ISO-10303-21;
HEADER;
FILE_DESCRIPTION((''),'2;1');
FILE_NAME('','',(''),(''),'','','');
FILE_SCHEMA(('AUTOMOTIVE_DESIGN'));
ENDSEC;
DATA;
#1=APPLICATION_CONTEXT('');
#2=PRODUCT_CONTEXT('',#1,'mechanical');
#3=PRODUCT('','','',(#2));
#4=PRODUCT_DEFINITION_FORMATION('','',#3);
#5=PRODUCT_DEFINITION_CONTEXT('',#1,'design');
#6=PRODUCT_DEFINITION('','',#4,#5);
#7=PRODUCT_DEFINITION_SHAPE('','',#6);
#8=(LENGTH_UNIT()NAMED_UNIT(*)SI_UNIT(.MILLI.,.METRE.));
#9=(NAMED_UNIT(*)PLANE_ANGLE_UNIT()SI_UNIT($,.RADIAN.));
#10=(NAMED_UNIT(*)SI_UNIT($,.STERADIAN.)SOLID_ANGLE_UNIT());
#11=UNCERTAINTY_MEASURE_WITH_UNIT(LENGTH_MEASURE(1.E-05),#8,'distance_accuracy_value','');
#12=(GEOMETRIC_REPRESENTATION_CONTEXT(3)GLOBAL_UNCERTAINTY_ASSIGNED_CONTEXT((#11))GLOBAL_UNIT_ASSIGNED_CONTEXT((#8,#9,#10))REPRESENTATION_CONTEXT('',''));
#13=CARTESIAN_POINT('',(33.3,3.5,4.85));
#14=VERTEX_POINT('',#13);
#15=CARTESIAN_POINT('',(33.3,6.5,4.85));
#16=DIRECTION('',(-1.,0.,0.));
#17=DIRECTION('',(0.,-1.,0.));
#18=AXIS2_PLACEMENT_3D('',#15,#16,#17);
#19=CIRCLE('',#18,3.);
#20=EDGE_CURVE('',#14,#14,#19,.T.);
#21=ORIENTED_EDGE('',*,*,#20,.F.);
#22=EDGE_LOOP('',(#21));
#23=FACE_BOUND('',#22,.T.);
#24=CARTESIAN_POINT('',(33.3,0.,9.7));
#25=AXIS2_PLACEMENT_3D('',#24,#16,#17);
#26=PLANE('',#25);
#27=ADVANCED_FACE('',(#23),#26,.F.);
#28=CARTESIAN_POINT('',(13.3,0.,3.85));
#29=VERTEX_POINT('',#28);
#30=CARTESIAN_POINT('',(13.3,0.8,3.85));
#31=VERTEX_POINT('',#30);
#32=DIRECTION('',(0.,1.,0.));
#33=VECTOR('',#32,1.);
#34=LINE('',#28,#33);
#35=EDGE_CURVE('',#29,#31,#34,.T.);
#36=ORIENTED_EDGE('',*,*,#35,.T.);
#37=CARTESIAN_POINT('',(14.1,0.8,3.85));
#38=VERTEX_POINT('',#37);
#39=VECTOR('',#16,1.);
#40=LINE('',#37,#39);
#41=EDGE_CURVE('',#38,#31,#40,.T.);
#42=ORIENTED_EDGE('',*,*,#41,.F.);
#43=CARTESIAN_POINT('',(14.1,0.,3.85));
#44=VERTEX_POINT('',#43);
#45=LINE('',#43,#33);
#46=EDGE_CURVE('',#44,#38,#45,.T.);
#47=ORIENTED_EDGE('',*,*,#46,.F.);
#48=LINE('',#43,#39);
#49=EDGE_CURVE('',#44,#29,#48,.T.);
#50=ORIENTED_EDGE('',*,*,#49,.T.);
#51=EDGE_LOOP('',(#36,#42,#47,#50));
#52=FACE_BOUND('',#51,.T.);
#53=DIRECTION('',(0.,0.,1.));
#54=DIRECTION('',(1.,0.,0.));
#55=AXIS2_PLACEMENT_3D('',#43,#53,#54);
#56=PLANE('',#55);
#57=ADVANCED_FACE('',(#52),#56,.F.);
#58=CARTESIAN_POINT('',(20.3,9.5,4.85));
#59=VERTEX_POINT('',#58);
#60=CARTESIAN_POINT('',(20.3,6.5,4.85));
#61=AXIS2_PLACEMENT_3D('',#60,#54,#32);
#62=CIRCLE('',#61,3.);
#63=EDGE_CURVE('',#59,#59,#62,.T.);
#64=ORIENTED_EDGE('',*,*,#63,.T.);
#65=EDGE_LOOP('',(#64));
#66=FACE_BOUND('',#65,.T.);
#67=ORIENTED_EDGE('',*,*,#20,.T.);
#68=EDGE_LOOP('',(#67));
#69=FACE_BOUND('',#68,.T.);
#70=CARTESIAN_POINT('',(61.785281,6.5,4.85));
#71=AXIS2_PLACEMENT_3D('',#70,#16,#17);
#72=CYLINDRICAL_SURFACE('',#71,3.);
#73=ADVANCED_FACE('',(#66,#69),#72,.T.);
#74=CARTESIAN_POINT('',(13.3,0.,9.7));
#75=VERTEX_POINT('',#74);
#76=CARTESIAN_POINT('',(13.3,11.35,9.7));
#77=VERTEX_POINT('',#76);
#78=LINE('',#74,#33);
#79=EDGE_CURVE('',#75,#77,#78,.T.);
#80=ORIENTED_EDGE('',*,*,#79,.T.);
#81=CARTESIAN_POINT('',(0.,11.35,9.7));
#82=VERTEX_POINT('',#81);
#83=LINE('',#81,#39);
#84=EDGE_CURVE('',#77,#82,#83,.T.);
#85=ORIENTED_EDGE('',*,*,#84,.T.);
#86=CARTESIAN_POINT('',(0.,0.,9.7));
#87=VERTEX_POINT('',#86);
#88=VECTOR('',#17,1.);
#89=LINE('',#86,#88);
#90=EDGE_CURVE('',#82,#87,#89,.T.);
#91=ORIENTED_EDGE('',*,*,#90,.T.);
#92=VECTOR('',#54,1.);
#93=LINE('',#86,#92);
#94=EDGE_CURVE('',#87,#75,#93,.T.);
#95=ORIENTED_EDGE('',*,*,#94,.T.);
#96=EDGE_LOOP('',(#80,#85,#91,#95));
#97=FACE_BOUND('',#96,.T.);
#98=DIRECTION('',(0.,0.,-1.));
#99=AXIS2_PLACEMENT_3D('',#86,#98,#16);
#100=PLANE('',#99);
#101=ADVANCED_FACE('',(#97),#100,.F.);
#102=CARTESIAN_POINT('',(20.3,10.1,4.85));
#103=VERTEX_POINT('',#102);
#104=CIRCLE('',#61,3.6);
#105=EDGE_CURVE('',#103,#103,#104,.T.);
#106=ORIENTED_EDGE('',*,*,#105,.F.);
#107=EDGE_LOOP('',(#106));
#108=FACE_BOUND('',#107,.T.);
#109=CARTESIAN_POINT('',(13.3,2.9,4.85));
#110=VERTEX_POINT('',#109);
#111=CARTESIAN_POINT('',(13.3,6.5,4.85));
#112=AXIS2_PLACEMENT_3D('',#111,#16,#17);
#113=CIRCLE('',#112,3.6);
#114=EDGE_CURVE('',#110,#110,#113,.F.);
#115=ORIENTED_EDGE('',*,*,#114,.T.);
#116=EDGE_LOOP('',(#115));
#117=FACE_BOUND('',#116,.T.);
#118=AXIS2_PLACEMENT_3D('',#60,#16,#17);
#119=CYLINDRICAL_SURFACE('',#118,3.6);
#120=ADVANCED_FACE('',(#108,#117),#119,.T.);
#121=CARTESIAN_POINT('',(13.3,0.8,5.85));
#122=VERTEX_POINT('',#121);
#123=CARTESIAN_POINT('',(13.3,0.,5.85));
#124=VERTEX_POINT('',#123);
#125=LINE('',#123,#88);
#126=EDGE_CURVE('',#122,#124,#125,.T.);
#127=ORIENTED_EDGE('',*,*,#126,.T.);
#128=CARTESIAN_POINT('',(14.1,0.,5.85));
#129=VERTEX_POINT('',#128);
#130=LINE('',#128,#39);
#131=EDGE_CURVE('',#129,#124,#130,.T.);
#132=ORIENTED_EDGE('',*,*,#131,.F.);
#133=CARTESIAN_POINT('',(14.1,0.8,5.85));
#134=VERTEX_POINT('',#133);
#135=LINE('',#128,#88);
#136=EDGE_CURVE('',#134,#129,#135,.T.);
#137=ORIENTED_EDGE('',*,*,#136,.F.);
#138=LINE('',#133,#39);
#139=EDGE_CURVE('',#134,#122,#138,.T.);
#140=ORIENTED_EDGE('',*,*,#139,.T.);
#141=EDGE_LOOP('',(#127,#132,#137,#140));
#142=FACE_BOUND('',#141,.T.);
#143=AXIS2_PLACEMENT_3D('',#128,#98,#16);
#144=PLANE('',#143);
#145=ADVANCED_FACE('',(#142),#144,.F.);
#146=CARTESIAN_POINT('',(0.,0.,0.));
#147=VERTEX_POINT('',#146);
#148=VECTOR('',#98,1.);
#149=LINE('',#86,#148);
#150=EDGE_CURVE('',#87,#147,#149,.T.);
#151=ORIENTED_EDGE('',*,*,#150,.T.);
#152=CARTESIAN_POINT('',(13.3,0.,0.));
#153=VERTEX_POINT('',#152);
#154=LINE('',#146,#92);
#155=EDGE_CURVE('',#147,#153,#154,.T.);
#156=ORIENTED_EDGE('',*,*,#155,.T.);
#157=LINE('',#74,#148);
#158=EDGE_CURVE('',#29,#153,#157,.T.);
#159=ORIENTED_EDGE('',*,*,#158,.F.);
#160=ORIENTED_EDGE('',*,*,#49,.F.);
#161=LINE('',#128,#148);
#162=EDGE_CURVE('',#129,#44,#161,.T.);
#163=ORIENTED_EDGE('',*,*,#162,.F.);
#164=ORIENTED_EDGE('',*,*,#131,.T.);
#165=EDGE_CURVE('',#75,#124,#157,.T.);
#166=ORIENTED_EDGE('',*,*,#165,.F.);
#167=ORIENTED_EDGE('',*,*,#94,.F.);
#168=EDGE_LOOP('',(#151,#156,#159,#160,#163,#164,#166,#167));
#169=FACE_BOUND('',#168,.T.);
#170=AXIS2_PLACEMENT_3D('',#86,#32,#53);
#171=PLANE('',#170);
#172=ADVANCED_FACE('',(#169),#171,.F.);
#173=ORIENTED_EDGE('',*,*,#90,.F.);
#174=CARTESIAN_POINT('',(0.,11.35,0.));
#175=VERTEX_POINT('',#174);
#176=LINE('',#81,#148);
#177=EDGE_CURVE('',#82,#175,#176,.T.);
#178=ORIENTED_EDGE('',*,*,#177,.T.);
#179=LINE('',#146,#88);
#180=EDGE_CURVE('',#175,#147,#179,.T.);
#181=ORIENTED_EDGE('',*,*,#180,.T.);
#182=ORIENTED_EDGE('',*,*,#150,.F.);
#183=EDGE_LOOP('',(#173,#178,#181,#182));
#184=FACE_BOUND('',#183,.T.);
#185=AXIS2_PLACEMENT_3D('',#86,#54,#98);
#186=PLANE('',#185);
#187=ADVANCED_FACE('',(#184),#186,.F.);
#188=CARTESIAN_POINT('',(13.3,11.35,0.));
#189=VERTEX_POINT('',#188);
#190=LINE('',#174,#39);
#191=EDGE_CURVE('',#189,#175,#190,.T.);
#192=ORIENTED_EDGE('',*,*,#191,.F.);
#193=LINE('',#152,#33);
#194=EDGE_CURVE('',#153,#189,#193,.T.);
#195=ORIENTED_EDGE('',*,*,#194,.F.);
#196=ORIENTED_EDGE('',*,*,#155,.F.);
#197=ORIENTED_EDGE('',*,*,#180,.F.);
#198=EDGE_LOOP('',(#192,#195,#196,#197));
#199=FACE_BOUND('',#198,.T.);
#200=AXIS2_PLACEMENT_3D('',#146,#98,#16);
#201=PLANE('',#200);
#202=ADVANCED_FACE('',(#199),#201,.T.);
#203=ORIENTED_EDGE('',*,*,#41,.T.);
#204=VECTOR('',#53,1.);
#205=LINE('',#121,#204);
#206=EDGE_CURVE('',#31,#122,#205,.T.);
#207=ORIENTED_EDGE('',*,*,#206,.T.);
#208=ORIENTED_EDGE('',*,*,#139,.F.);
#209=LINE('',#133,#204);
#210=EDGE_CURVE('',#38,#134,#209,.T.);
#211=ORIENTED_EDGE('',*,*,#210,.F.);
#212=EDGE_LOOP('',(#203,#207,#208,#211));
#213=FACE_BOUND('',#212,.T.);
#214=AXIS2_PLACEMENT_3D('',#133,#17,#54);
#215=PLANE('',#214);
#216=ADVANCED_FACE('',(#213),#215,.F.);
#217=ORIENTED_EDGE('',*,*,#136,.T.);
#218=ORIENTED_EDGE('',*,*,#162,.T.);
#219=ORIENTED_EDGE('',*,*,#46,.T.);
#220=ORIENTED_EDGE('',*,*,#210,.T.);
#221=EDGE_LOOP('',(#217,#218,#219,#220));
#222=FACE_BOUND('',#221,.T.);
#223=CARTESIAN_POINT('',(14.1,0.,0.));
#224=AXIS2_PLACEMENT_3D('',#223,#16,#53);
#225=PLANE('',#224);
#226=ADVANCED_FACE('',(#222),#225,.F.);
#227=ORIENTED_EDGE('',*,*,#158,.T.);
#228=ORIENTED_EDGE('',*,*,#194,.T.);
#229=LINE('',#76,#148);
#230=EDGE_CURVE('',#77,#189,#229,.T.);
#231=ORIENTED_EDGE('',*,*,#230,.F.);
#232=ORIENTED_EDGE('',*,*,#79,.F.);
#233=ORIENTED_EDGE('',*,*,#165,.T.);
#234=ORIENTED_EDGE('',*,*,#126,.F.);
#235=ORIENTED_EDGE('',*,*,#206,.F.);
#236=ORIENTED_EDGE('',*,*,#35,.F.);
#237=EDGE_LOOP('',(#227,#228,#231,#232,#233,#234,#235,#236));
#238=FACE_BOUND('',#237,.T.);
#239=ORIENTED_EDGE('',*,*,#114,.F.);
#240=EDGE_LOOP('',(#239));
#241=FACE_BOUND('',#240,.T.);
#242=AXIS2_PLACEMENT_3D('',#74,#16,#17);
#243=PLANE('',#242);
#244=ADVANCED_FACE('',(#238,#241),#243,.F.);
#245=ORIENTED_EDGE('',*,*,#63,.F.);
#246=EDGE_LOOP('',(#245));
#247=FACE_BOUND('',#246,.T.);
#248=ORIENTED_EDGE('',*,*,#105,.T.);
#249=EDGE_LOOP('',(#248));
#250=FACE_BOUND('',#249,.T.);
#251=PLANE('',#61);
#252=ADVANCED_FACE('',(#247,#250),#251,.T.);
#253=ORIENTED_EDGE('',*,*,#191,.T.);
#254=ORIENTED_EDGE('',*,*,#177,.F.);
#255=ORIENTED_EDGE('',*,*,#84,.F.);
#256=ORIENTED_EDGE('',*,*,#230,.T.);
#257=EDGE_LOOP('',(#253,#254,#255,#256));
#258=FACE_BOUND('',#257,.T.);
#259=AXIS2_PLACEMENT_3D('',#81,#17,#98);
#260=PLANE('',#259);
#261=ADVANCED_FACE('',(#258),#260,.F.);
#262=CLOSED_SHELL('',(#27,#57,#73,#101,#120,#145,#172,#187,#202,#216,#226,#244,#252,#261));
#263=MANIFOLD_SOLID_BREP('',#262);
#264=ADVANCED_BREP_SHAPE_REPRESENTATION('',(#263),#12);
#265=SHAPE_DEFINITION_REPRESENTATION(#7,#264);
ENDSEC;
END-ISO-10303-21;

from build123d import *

# Parameters (mm, degrees)
SKETCH1_W           = 13.3
SKETCH1_H           = 11.35
BOSS_EXTRUDE1_DEPTH = 9.7
SKETCH2_R           = 3.6
BOSS_EXTRUDE2_DEPTH = 7
SKETCH3_R           = 3
BOSS_EXTRUDE4_DEPTH = 13
SKETCH4_W           = 2
SKETCH4_H           = 0.8
BOSS_EXTRUDE5_DEPTH = 0.8


with BuildPart() as part:
    # Sketch1 → Boss-Extrude1 (new body)
    with BuildSketch(Plane.XY):
        with Locations((6.65, 5.675)):
            Rectangle(SKETCH1_W, SKETCH1_H)
    extrude(amount=BOSS_EXTRUDE1_DEPTH)

    # Sketch2 → Boss-Extrude2 (add)
    with BuildSketch(Plane(origin=(13.3, 0, 0), x_dir=(0, 0, -1), z_dir=(1, 0, 0))):
        with Locations(Location((-4.85, 6.5, 0), (0, 0, 270))):  # turned: the seam where the file's is
            Circle(SKETCH2_R)
    extrude(amount=BOSS_EXTRUDE2_DEPTH)

    # Sketch3 → Boss-Extrude4 (add)
    with BuildSketch(Plane(origin=(20.3, 0, 0), x_dir=(0, 0, -1), z_dir=(1, 0, 0))):
        with Locations(Location((-4.85, 6.5, 0), (0, 0, 270))):  # turned: the seam where the file's is
            Circle(SKETCH3_R)
    extrude(amount=BOSS_EXTRUDE4_DEPTH)

    # Sketch4 → Boss-Extrude5 (add)
    with BuildSketch(Plane(origin=(13.3, 0, 0), x_dir=(0, 0, -1), z_dir=(1, 0, 0))):
        with Locations((-4.85, 0.4)):
            Rectangle(SKETCH4_W, SKETCH4_H)
    extrude(amount=BOSS_EXTRUDE5_DEPTH)


solid = part.part
